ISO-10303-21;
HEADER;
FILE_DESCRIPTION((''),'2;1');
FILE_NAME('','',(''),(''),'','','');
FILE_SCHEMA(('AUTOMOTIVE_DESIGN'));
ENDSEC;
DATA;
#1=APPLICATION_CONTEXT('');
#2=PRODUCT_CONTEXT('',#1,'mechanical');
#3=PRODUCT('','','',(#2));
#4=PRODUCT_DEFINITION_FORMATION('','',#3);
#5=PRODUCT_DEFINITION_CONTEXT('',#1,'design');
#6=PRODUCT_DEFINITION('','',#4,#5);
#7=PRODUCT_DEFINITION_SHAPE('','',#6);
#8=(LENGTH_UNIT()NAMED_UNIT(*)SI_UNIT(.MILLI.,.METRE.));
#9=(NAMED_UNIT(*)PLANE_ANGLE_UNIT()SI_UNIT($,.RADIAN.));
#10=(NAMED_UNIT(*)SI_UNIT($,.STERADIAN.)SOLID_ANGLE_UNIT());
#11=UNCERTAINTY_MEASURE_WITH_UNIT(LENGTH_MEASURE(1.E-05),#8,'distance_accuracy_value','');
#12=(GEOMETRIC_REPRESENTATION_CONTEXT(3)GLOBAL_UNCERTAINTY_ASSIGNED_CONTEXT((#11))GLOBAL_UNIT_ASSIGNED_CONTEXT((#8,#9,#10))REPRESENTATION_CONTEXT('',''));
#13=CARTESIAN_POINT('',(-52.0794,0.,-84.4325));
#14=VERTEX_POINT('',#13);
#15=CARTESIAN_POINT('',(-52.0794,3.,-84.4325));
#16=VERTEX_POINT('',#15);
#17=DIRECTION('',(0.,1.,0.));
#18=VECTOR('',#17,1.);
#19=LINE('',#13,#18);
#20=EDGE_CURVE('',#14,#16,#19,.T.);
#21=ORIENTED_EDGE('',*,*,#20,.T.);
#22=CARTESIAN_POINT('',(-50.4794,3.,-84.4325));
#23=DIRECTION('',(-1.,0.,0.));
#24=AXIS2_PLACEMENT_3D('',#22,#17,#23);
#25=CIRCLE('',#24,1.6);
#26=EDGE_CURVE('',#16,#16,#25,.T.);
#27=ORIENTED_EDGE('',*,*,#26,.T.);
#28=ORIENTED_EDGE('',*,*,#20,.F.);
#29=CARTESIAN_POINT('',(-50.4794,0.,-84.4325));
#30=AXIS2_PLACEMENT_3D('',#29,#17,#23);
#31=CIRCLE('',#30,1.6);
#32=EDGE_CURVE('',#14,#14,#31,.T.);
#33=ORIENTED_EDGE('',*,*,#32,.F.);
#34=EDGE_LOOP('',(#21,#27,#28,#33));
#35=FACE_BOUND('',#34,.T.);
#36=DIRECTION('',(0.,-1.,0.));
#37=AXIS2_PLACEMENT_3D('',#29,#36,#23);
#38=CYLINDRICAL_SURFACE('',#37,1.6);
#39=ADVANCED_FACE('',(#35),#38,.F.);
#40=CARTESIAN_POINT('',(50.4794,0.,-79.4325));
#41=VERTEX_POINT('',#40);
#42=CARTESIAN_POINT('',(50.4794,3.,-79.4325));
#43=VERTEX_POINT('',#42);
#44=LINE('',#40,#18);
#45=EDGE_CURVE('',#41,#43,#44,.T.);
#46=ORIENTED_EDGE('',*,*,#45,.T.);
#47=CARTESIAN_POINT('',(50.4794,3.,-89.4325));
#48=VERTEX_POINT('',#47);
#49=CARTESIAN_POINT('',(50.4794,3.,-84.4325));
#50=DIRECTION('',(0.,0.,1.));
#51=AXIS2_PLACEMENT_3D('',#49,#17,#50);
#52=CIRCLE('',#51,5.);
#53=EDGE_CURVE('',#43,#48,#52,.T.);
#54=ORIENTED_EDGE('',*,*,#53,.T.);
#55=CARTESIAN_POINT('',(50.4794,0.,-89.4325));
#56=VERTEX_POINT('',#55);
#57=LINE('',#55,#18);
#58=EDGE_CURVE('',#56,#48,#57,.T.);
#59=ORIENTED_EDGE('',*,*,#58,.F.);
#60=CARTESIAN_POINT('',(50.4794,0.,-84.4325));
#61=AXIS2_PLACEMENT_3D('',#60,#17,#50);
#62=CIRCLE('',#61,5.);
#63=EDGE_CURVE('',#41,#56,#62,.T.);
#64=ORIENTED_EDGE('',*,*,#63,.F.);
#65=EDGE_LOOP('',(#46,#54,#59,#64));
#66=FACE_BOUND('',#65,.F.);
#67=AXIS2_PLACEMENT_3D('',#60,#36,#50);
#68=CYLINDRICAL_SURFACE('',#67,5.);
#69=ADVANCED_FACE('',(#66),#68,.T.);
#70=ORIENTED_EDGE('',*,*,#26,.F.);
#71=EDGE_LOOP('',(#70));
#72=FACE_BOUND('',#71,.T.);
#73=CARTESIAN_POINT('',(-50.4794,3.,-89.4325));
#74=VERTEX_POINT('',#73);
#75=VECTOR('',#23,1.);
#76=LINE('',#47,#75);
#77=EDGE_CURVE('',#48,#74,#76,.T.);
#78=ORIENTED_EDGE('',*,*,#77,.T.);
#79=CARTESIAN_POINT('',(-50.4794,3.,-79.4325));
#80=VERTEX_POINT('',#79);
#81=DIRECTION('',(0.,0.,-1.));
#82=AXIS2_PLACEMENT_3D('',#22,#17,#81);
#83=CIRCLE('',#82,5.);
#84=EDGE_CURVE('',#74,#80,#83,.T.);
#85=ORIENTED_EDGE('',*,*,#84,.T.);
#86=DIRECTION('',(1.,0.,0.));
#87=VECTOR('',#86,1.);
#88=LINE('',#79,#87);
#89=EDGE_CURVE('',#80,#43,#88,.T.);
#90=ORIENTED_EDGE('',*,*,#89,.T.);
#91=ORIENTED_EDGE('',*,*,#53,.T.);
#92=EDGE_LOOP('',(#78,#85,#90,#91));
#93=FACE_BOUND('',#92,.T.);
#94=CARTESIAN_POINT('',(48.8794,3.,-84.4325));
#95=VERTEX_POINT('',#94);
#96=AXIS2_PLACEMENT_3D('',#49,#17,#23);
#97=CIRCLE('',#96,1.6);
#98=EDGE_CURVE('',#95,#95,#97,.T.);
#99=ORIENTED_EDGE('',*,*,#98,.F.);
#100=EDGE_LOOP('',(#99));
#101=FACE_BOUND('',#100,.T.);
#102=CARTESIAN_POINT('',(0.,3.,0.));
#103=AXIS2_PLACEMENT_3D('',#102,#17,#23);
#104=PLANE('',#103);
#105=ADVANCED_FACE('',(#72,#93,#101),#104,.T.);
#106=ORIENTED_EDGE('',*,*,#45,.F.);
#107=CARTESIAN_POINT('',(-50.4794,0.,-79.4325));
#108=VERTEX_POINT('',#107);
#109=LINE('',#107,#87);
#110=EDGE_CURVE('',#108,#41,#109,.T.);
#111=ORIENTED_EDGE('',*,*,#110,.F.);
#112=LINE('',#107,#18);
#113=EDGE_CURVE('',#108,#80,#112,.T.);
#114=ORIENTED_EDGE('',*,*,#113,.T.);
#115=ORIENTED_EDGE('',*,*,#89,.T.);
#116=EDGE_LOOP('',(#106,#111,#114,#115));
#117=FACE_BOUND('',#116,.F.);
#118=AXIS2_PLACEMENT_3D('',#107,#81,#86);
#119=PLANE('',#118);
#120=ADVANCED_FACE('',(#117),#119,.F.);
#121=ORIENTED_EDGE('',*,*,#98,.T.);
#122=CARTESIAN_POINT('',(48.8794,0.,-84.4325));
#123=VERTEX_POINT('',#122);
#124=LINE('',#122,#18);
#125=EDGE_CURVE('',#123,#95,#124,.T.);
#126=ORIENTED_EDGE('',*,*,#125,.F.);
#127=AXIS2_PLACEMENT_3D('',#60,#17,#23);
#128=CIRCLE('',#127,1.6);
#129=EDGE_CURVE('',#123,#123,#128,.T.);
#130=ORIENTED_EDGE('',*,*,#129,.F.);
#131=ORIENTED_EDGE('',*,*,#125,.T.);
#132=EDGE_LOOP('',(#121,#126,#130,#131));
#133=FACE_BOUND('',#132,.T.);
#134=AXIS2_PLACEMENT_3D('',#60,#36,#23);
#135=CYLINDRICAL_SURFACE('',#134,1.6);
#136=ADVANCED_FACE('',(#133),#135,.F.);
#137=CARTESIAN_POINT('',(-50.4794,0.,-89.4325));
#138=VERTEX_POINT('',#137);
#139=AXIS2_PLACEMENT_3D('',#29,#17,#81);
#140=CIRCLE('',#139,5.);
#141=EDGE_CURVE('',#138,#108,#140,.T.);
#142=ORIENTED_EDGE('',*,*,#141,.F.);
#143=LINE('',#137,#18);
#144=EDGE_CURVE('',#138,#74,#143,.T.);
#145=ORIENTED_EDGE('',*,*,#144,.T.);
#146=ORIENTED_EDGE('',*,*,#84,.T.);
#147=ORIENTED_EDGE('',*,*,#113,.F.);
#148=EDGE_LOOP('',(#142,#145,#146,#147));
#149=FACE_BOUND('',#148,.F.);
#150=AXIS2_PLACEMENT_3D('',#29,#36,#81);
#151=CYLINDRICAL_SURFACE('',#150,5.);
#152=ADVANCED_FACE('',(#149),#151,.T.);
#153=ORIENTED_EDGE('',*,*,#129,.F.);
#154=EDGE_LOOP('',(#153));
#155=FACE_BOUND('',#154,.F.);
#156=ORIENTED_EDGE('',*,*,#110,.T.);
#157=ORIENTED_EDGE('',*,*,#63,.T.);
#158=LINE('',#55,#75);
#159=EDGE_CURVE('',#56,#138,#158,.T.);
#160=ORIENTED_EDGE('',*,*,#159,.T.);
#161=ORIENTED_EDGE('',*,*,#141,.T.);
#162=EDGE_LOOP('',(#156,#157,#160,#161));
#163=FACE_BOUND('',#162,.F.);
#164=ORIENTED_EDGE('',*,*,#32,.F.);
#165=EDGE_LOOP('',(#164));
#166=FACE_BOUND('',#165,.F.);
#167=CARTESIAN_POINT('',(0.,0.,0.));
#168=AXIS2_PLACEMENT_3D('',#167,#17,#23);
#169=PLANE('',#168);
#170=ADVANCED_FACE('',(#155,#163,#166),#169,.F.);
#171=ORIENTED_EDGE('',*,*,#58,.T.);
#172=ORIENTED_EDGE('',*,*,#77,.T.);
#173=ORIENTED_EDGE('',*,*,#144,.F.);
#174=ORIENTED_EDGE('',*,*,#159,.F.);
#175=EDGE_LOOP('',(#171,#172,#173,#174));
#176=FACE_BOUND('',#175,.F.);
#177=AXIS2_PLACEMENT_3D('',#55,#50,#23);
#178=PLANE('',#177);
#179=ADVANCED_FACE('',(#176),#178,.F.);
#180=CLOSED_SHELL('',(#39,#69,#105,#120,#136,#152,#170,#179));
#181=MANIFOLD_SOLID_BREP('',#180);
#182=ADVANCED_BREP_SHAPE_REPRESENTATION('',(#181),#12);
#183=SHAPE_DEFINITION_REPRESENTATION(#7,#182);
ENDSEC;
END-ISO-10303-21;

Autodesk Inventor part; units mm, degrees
ref_plane "YZ Plane" through (0, 0, 0) normal (1, 0, 0) x (0, 1, 0)
ref_plane "XZ Plane" through (0, 0, 0) normal (0, 1, 0) x (-1, 0, 0)
ref_plane "XY Plane" through (0, 0, 0) normal (0, 0, 1) x (1, 0, 0)
sketch "Sketch1" plane through (0, 0, 0) normal (0, 1, 0) x (-1, 0, 0)
  circle A0 centre (50.4794, -84.4325) radius 1.6
  circle A1 centre (-50.4794, -84.4325) radius 1.6
  arc A2 (50.4794, -89.4325) -> (50.4794, -79.4325) centre (50.4794, -84.4325) ccw
  arc A3 (-50.4794, -79.4325) -> (-50.4794, -89.4325) centre (-50.4794, -84.4325) ccw
  line L0 (50.4794, -79.4325) -> (-50.4794, -79.4325)
  line L1 (-50.4794, -89.4325) -> (50.4794, -89.4325)
  point P0 (0, 0)
  dimension "d0" = 3.2
  dimension "d1" = 3.2
  dimension "d2" = 5
  dimension "d3" = 5
extrude "Extrusion1" add sketch "Sketch1" along normal blind 3
properties part number "Front guard"
